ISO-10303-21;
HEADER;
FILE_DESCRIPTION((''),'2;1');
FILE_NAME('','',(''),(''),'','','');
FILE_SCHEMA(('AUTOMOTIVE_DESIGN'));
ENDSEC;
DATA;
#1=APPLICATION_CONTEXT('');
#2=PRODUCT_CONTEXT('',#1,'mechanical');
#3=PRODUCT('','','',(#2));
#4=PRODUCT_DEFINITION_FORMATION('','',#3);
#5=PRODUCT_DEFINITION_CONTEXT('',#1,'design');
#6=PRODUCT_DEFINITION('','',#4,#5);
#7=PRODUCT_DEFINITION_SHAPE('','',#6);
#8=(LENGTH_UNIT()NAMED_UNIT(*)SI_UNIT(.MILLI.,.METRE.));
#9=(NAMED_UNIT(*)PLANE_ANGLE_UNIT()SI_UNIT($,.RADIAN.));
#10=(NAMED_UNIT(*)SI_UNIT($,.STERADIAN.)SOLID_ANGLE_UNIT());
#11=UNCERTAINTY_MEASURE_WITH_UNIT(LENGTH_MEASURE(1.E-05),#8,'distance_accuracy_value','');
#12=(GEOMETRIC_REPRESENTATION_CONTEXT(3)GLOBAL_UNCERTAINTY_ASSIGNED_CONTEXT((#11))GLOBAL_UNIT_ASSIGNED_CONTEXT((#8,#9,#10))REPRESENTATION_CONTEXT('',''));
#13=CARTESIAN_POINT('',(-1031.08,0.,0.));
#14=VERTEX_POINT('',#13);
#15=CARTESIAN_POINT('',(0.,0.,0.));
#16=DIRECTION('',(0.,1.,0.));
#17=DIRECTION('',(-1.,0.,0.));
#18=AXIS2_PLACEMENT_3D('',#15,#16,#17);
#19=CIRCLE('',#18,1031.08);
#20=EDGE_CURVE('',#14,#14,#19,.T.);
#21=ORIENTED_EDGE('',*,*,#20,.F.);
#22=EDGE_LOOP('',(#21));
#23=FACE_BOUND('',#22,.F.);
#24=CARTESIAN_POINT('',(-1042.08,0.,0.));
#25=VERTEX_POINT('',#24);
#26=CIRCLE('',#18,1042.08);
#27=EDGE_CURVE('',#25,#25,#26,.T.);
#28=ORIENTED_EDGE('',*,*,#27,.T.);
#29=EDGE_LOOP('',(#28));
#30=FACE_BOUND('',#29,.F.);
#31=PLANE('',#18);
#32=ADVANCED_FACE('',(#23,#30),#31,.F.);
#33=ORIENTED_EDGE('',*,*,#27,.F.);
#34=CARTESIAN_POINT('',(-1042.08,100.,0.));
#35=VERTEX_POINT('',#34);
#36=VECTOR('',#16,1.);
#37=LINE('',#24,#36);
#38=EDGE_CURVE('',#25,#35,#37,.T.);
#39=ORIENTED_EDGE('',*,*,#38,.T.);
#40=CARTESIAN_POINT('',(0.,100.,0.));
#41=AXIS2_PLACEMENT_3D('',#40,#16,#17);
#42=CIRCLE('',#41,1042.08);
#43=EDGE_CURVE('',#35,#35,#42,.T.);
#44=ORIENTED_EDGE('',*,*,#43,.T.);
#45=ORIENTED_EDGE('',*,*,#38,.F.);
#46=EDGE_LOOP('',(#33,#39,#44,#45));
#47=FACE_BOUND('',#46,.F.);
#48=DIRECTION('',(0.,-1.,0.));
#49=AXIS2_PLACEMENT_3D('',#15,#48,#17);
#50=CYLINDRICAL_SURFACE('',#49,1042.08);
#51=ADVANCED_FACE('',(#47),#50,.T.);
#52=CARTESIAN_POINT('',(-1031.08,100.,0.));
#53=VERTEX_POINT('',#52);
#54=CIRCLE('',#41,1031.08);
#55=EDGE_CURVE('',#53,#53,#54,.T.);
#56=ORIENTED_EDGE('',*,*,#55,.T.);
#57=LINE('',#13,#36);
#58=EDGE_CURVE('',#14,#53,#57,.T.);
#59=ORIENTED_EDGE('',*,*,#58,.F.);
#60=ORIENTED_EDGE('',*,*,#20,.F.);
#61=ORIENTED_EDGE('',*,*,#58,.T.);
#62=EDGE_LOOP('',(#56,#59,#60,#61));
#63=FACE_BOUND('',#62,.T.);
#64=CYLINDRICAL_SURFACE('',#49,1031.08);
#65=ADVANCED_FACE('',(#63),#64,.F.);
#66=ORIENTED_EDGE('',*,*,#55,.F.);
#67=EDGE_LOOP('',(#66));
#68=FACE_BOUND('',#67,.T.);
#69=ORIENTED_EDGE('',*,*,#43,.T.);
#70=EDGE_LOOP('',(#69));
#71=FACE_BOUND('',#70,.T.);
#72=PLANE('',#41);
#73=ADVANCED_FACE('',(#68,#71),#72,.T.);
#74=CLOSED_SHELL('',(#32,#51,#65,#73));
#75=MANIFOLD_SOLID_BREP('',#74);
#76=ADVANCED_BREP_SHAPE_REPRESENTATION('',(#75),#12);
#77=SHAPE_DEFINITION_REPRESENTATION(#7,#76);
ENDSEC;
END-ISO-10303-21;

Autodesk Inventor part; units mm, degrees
ref_plane "YZ Plane" through (0, 0, 0) normal (1, 0, 0) x (0, 1, 0)
ref_plane "XZ Plane" through (0, 0, 0) normal (0, 1, 0) x (-1, 0, 0)
ref_plane "XY Plane" through (0, 0, 0) normal (0, 0, 1) x (1, 0, 0)
sketch "Sketch1" plane through (0, 0, 0) normal (0, 1, 0) x (-1, 0, 0)
  circle A0 centre (0, 0) radius 1031.08
  circle A1 centre (0, 0) radius 1042.08
  dimension "d0" = 2062.16
  dimension "d1" = 2084.16
extrude "Extrusion1" add sketch "Sketch1" along normal blind 100
properties part number "Edge Band - Platform F" material "Wood (Birch)"
